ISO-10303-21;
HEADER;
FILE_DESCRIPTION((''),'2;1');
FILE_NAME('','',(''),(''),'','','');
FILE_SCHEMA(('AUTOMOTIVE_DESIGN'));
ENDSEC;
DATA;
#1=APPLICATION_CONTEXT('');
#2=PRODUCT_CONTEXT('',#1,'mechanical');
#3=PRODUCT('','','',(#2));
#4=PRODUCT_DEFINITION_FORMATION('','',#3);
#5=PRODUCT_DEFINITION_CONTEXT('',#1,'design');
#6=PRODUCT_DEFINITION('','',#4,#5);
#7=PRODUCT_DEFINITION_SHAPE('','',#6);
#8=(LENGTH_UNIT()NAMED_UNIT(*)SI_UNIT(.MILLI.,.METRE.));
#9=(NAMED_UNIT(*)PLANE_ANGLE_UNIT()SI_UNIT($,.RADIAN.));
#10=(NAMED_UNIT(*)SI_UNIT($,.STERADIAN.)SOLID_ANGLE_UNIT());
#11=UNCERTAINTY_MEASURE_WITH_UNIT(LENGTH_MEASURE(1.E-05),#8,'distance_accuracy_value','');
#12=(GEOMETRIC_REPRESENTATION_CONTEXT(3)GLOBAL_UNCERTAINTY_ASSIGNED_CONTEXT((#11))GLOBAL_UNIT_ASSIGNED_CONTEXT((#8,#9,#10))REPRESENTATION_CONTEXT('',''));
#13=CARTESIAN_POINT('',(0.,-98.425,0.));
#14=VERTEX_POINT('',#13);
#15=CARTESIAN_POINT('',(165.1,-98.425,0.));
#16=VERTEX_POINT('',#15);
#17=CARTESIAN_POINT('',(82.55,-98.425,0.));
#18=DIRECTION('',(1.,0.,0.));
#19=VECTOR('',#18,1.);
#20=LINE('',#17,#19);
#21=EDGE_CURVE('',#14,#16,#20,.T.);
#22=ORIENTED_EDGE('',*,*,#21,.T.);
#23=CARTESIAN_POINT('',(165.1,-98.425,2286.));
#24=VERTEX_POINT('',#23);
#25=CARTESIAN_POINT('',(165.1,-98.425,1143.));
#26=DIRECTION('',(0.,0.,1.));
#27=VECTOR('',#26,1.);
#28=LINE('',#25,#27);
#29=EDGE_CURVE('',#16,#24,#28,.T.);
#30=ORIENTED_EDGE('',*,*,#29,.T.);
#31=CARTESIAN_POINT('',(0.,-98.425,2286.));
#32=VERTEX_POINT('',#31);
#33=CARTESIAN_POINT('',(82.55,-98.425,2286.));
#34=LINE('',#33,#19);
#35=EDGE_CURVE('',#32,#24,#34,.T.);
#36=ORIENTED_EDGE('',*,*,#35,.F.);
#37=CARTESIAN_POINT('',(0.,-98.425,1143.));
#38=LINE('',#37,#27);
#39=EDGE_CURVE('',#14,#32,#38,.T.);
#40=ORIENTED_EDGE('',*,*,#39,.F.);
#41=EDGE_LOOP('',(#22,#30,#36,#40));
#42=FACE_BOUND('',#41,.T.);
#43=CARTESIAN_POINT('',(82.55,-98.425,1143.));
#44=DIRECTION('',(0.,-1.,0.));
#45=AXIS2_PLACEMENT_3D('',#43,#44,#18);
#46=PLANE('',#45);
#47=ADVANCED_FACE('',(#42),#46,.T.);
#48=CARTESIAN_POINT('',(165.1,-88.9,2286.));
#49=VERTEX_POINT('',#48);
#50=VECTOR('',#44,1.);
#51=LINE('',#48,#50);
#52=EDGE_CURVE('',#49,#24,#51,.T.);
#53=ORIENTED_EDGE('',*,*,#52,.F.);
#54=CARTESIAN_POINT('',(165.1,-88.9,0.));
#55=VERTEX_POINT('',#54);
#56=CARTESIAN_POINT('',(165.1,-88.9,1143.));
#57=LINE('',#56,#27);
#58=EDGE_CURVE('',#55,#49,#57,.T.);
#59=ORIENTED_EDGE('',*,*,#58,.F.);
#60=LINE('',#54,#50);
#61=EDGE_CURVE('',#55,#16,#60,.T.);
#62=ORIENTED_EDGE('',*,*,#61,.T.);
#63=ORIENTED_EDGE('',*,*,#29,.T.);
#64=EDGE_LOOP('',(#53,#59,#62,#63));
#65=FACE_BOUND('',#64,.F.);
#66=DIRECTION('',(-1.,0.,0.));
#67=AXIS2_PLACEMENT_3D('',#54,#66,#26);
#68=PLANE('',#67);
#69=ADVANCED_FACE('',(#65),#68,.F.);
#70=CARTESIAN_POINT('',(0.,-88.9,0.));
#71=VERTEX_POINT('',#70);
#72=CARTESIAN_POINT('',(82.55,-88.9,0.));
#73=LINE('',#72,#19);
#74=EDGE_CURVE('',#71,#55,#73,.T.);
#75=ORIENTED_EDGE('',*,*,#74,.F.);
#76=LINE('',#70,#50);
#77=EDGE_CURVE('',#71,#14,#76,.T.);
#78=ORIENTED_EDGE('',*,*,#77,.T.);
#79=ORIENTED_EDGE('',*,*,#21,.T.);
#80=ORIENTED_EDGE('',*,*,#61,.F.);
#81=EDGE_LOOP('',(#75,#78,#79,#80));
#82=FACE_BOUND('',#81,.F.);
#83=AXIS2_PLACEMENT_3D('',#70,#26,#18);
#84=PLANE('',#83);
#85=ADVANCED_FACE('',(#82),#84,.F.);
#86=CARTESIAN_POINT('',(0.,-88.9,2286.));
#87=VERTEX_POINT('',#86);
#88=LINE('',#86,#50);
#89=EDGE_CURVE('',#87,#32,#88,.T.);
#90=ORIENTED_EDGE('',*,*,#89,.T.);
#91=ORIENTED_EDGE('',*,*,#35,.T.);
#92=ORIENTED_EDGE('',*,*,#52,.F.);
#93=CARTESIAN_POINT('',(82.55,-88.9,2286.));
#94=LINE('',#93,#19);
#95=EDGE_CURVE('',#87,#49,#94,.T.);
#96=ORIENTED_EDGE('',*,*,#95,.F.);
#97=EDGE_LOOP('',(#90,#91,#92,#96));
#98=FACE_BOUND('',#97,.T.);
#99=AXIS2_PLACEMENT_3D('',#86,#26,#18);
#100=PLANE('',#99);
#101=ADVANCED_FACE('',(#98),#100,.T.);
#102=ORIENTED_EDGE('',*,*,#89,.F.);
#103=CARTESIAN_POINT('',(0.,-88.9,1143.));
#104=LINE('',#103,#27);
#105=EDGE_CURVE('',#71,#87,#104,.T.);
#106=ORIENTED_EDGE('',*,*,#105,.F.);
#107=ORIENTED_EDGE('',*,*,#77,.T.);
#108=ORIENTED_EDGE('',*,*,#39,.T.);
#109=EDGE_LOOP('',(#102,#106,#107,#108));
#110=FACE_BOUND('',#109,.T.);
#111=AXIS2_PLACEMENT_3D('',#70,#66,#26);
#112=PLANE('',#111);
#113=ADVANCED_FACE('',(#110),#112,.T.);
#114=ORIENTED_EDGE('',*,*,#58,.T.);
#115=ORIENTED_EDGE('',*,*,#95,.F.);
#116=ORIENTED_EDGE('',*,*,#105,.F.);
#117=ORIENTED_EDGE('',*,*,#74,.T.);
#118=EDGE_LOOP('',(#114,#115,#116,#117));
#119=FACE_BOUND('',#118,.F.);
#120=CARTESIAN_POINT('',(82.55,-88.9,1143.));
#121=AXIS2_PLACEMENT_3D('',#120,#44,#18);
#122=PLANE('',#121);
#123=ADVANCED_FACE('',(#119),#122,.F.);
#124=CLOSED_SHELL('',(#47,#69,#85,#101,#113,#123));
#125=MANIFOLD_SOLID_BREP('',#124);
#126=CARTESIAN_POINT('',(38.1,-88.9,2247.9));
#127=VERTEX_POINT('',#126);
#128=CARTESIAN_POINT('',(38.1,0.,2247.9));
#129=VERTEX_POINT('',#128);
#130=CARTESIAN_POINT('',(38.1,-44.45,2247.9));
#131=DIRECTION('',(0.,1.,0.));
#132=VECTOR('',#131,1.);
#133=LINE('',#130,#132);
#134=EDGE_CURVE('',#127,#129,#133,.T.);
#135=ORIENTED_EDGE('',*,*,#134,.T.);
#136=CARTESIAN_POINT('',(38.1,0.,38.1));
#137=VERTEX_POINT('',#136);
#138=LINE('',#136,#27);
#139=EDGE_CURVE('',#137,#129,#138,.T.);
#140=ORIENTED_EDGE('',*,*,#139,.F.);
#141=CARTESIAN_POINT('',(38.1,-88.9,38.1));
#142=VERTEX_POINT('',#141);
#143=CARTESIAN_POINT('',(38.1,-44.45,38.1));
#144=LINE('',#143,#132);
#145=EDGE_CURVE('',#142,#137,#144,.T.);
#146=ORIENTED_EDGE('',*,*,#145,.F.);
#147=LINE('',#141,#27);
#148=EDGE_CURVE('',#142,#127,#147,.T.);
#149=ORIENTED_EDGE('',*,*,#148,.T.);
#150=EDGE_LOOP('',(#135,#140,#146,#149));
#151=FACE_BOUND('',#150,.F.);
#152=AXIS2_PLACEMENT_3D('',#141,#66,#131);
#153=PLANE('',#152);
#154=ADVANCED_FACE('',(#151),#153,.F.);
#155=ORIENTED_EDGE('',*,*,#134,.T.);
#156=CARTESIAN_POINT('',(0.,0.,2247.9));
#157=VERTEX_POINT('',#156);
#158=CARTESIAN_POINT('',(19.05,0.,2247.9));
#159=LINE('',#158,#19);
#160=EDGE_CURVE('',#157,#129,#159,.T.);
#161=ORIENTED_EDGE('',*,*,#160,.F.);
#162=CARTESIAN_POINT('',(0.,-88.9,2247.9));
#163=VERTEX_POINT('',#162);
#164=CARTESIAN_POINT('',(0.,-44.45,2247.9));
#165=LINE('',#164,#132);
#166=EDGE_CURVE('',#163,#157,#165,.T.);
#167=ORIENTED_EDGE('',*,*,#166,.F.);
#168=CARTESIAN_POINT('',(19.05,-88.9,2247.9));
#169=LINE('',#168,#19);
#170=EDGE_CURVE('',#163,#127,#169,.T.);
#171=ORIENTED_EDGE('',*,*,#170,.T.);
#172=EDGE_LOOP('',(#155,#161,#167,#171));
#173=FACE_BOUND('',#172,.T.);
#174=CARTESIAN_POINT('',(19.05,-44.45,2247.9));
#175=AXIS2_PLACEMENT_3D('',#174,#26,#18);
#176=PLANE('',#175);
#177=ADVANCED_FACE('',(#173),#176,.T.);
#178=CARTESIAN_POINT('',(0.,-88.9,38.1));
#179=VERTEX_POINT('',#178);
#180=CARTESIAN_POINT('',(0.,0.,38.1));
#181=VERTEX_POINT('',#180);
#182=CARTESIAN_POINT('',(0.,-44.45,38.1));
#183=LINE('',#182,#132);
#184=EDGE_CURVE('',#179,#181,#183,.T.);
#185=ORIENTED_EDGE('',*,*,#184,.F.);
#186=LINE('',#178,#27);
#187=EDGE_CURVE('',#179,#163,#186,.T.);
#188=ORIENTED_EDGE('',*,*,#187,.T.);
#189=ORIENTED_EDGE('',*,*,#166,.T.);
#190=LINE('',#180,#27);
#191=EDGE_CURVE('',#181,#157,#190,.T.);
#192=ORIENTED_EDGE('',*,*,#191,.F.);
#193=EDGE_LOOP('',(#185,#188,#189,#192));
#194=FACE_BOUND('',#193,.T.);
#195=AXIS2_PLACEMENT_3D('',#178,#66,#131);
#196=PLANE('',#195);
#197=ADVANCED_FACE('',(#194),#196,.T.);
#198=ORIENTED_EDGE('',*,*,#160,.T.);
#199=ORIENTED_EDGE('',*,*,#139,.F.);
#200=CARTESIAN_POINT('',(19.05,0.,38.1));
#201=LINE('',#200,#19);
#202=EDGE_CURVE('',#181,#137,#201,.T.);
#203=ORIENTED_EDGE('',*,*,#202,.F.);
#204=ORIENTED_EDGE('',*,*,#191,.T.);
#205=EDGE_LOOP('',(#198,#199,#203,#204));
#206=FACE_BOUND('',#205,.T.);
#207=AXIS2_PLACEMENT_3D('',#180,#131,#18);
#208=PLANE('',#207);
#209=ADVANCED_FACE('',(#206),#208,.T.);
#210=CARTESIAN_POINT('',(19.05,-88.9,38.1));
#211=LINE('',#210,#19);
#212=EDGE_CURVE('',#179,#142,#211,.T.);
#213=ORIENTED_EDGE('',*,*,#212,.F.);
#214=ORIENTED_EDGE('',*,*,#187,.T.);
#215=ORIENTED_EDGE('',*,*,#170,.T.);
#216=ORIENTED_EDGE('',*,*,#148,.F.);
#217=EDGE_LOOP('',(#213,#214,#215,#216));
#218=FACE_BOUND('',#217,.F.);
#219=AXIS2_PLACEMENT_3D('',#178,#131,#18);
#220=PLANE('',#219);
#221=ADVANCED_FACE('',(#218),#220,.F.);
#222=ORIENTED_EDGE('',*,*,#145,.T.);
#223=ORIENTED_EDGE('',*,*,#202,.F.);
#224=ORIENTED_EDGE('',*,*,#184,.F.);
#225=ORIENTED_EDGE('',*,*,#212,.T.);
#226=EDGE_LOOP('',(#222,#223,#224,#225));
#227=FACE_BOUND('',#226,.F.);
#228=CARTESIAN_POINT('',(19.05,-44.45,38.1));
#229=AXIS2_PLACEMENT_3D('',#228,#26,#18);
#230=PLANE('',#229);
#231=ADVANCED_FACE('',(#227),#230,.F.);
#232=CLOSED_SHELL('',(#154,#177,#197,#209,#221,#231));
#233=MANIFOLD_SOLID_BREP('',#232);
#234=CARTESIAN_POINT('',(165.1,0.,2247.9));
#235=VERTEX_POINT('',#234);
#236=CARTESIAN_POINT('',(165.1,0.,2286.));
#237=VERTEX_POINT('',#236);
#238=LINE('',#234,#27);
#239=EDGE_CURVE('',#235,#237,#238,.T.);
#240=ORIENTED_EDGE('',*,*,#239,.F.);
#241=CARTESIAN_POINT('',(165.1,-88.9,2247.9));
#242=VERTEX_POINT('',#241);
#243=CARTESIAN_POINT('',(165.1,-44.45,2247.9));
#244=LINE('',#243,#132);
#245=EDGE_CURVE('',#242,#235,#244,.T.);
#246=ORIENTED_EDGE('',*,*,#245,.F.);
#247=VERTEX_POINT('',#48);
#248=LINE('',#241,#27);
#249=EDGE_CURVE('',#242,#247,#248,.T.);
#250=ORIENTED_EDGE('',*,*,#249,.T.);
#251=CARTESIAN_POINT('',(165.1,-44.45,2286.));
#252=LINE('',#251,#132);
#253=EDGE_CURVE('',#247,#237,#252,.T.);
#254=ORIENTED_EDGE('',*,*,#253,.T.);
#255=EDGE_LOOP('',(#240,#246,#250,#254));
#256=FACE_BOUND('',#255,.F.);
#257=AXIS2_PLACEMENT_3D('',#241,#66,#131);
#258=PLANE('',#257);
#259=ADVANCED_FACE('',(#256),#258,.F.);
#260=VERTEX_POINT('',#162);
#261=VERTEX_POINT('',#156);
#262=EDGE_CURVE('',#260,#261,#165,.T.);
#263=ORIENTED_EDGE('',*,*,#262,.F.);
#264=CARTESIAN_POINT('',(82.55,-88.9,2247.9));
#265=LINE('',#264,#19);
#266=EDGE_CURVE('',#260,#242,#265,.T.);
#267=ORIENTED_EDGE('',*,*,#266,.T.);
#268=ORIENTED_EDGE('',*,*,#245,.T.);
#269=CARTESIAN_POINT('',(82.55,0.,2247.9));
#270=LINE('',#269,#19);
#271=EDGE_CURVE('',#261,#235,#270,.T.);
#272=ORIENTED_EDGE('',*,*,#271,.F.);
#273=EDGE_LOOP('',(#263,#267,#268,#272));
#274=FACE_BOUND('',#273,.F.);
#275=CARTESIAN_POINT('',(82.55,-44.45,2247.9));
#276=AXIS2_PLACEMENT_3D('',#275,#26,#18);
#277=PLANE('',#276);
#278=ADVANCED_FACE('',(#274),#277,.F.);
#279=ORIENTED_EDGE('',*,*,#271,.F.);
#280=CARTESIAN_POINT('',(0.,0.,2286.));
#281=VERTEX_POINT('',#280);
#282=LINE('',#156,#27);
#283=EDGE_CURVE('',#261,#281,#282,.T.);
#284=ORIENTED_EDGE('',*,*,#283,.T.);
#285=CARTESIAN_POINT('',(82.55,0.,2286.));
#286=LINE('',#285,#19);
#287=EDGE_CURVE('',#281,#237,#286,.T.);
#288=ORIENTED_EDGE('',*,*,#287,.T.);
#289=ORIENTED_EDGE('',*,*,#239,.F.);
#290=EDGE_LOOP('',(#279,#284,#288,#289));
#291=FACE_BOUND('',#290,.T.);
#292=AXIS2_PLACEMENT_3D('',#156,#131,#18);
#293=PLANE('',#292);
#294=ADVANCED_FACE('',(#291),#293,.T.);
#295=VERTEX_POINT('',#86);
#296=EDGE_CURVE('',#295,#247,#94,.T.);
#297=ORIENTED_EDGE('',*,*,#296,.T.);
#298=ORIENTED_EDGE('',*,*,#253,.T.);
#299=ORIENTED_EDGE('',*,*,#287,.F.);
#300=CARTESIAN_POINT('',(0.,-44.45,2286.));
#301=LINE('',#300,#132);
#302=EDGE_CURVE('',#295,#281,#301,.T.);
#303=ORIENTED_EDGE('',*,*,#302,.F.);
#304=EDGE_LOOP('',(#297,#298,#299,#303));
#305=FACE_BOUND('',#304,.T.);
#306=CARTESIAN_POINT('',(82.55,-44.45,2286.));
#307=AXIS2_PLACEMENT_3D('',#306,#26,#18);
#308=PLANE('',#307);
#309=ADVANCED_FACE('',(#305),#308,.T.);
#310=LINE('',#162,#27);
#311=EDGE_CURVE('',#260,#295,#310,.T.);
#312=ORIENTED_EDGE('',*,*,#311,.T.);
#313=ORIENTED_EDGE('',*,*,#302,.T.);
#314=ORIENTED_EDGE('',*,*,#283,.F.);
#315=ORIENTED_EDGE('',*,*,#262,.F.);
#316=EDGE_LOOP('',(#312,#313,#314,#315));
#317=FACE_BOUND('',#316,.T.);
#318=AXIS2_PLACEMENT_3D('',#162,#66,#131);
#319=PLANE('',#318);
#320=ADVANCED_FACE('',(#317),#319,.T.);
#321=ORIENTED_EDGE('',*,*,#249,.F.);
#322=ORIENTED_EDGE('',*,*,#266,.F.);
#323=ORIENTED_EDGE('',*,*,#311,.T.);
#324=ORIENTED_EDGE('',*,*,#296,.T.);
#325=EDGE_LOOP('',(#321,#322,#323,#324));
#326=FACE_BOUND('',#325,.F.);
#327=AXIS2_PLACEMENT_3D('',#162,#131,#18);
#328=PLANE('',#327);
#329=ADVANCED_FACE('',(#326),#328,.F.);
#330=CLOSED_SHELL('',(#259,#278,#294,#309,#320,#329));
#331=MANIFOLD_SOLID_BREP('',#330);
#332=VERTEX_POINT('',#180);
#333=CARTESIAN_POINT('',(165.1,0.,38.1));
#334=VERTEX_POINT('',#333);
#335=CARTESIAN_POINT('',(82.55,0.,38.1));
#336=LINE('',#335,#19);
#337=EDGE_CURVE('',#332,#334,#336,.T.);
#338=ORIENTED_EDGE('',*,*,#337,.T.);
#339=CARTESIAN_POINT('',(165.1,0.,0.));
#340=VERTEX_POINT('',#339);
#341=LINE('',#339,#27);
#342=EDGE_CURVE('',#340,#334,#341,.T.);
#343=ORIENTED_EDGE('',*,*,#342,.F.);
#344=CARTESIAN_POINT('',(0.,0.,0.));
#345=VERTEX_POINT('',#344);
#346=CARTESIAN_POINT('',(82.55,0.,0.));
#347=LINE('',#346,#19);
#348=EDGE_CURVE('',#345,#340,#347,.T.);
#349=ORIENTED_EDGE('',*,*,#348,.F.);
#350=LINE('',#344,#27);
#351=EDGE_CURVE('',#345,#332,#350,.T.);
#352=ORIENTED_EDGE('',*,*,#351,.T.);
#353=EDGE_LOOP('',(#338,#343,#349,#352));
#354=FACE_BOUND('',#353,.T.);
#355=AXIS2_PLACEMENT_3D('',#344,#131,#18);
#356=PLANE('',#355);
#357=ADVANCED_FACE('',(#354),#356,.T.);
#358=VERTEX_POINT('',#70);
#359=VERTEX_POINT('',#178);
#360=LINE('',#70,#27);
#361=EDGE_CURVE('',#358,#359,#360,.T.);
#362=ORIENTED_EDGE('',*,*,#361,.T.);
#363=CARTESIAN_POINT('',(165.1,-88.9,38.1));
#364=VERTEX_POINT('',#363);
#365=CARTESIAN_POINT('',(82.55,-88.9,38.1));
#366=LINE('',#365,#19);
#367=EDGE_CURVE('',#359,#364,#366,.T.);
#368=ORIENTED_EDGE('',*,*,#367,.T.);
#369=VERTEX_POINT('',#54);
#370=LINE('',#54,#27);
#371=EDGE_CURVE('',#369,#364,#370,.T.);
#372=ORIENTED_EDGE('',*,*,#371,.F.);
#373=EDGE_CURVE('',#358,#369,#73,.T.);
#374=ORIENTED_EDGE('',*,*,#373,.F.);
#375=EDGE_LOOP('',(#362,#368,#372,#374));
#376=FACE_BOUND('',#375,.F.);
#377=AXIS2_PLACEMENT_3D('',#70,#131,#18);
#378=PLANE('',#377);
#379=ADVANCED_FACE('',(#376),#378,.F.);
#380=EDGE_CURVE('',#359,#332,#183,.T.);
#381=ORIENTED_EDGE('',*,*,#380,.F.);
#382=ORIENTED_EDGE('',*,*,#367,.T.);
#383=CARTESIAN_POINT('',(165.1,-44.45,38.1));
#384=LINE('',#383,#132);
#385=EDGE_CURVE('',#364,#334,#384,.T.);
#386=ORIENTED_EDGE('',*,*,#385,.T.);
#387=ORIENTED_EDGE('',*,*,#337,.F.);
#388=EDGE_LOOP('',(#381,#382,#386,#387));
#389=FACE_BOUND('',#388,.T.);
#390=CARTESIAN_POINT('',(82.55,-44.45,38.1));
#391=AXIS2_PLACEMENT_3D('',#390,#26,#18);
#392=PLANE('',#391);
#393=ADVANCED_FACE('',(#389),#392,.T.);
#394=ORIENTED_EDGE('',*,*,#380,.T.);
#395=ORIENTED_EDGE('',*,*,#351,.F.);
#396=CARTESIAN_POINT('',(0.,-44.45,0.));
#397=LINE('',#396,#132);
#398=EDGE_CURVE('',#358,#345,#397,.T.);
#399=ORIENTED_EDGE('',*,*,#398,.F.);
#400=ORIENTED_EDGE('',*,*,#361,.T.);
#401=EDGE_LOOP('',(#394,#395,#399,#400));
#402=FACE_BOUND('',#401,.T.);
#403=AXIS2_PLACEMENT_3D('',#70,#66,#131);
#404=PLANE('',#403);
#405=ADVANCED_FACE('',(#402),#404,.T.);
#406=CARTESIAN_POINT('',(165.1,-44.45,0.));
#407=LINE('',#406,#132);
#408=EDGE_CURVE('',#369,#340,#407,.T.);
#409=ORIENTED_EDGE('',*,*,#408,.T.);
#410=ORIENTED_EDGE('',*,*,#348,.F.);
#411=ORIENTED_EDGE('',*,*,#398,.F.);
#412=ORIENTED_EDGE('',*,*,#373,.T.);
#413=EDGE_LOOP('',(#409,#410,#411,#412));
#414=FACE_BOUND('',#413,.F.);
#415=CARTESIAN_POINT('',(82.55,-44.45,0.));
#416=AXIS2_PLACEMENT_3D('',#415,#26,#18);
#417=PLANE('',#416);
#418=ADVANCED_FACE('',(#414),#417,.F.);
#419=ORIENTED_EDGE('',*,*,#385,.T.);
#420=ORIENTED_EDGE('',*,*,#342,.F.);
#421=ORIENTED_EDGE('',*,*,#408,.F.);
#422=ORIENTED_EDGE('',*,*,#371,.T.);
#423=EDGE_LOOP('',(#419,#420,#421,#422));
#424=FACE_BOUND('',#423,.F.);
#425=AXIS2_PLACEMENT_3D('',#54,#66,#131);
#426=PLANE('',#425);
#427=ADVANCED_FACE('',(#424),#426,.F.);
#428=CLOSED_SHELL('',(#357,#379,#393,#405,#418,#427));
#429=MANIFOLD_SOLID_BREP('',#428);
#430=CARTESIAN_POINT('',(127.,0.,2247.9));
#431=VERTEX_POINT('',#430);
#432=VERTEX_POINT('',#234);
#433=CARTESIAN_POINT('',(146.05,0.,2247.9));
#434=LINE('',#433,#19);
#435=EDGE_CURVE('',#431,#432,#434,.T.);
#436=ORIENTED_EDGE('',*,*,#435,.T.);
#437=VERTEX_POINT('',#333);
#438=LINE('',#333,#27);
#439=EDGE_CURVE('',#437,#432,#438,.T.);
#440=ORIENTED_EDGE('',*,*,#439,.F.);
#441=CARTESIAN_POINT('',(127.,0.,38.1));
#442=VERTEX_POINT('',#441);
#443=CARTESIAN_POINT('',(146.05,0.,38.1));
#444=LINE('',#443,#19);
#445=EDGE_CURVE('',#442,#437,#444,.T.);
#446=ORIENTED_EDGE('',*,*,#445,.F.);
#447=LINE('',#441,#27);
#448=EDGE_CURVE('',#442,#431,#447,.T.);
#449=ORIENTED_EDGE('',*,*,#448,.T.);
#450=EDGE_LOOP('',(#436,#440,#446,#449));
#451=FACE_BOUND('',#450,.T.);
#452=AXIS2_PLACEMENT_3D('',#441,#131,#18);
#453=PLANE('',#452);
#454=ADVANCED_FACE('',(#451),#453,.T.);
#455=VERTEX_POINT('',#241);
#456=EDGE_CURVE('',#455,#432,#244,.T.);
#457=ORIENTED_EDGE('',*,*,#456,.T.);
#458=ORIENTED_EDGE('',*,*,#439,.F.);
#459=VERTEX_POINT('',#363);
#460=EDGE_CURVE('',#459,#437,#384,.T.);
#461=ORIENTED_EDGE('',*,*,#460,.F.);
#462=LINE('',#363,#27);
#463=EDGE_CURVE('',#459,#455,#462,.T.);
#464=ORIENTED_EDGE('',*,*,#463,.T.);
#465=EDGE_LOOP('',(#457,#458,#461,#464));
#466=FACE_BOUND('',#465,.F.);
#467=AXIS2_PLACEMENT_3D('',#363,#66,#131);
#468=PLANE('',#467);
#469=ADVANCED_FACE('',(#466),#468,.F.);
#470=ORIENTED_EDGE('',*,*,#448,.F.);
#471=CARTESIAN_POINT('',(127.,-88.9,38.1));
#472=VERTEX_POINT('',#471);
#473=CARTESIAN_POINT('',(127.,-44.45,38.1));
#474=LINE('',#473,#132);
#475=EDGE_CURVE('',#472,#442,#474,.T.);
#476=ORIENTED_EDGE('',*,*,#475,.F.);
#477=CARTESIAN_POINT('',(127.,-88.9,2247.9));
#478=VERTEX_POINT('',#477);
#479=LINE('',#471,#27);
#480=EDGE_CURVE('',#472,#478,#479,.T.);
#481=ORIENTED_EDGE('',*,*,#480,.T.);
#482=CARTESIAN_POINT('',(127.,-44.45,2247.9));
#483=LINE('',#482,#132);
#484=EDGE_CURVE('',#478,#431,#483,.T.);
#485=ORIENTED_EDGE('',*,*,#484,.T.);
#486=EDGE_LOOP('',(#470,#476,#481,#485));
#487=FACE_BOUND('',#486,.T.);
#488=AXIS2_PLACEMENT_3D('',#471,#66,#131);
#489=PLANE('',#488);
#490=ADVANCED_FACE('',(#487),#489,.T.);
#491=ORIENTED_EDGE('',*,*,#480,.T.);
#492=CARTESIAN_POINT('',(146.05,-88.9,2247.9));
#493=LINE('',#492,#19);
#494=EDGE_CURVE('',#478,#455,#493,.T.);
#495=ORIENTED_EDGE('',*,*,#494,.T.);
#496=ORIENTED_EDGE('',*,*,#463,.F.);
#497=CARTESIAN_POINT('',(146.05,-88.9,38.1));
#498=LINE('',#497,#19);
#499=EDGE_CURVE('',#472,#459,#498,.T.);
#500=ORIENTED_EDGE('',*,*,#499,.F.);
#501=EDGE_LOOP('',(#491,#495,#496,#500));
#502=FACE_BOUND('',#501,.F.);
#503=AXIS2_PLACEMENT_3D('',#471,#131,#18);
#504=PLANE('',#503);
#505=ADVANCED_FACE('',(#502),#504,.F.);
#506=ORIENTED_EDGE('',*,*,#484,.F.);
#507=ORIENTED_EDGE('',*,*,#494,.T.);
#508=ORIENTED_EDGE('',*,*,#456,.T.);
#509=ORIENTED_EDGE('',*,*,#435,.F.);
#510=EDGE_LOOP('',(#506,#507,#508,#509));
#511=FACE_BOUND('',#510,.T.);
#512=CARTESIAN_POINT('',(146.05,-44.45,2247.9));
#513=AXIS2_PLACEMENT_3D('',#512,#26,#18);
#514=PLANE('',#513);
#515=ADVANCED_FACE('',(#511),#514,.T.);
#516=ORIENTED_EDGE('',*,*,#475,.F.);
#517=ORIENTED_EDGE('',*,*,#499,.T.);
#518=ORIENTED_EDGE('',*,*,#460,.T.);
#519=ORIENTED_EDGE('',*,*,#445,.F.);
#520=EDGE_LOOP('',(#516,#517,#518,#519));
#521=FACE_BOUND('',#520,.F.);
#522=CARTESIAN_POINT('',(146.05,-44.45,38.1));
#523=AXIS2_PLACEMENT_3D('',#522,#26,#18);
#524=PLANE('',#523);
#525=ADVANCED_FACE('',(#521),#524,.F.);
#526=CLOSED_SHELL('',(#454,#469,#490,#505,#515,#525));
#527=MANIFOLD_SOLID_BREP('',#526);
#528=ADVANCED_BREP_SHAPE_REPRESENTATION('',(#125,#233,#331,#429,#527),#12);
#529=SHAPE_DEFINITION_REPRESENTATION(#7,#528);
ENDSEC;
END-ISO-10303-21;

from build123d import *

# Parameters (mm, degrees)
F0_W     = 165.1
F0_H     = 88.9
F1_DEPTH = 38.1
F2_W     = 38.1
F2_H     = 88.9
F3_DEPTH = 2209.8
F4_W     = 165.1
F4_H     = 88.9
F5_DEPTH = 38.1
F6_W     = 165.1
F6_H     = 2286
F7_DEPTH = 9.525


with BuildPart() as f1:
    # F0 (on Top) → F1 (new body)
    with BuildSketch(Plane.XY):
        with Locations((82.55, -44.45)):
            Rectangle(F0_W, F0_H)
    extrude(amount=F1_DEPTH)


with BuildPart() as f3:
    # F2 (on face) → F3 (new body)
    with BuildSketch(Plane.XY.offset(38.1)):
        with Locations((19.05, -44.45)):
            Rectangle(F2_W, F2_H)
    extrude(amount=F3_DEPTH)


with BuildPart() as f3b:
    # F2 (on face) → F3, piece 2 (new body)
    with BuildSketch(Plane.XY.offset(38.1)):
        with Locations((146.05, -44.45)):
            Rectangle(F2_W, F2_H)
    extrude(amount=F3_DEPTH)


with BuildPart() as f5:
    # F4 (on face) → F5 (new body)
    with BuildSketch(Plane.XY.offset(2247.9)):
        with Locations((82.55, -44.45)):
            Rectangle(F4_W, F4_H)
    extrude(amount=F5_DEPTH)


with BuildPart() as f7:
    # F6 (on face) → F7 (new body)
    with BuildSketch(Plane.XZ.offset(88.9)):
        with Locations((82.55, 1143)):
            Rectangle(F6_W, F6_H)
    extrude(amount=F7_DEPTH)


solid = Compound([f1.part, f3.part, f3b.part, f5.part, f7.part])
